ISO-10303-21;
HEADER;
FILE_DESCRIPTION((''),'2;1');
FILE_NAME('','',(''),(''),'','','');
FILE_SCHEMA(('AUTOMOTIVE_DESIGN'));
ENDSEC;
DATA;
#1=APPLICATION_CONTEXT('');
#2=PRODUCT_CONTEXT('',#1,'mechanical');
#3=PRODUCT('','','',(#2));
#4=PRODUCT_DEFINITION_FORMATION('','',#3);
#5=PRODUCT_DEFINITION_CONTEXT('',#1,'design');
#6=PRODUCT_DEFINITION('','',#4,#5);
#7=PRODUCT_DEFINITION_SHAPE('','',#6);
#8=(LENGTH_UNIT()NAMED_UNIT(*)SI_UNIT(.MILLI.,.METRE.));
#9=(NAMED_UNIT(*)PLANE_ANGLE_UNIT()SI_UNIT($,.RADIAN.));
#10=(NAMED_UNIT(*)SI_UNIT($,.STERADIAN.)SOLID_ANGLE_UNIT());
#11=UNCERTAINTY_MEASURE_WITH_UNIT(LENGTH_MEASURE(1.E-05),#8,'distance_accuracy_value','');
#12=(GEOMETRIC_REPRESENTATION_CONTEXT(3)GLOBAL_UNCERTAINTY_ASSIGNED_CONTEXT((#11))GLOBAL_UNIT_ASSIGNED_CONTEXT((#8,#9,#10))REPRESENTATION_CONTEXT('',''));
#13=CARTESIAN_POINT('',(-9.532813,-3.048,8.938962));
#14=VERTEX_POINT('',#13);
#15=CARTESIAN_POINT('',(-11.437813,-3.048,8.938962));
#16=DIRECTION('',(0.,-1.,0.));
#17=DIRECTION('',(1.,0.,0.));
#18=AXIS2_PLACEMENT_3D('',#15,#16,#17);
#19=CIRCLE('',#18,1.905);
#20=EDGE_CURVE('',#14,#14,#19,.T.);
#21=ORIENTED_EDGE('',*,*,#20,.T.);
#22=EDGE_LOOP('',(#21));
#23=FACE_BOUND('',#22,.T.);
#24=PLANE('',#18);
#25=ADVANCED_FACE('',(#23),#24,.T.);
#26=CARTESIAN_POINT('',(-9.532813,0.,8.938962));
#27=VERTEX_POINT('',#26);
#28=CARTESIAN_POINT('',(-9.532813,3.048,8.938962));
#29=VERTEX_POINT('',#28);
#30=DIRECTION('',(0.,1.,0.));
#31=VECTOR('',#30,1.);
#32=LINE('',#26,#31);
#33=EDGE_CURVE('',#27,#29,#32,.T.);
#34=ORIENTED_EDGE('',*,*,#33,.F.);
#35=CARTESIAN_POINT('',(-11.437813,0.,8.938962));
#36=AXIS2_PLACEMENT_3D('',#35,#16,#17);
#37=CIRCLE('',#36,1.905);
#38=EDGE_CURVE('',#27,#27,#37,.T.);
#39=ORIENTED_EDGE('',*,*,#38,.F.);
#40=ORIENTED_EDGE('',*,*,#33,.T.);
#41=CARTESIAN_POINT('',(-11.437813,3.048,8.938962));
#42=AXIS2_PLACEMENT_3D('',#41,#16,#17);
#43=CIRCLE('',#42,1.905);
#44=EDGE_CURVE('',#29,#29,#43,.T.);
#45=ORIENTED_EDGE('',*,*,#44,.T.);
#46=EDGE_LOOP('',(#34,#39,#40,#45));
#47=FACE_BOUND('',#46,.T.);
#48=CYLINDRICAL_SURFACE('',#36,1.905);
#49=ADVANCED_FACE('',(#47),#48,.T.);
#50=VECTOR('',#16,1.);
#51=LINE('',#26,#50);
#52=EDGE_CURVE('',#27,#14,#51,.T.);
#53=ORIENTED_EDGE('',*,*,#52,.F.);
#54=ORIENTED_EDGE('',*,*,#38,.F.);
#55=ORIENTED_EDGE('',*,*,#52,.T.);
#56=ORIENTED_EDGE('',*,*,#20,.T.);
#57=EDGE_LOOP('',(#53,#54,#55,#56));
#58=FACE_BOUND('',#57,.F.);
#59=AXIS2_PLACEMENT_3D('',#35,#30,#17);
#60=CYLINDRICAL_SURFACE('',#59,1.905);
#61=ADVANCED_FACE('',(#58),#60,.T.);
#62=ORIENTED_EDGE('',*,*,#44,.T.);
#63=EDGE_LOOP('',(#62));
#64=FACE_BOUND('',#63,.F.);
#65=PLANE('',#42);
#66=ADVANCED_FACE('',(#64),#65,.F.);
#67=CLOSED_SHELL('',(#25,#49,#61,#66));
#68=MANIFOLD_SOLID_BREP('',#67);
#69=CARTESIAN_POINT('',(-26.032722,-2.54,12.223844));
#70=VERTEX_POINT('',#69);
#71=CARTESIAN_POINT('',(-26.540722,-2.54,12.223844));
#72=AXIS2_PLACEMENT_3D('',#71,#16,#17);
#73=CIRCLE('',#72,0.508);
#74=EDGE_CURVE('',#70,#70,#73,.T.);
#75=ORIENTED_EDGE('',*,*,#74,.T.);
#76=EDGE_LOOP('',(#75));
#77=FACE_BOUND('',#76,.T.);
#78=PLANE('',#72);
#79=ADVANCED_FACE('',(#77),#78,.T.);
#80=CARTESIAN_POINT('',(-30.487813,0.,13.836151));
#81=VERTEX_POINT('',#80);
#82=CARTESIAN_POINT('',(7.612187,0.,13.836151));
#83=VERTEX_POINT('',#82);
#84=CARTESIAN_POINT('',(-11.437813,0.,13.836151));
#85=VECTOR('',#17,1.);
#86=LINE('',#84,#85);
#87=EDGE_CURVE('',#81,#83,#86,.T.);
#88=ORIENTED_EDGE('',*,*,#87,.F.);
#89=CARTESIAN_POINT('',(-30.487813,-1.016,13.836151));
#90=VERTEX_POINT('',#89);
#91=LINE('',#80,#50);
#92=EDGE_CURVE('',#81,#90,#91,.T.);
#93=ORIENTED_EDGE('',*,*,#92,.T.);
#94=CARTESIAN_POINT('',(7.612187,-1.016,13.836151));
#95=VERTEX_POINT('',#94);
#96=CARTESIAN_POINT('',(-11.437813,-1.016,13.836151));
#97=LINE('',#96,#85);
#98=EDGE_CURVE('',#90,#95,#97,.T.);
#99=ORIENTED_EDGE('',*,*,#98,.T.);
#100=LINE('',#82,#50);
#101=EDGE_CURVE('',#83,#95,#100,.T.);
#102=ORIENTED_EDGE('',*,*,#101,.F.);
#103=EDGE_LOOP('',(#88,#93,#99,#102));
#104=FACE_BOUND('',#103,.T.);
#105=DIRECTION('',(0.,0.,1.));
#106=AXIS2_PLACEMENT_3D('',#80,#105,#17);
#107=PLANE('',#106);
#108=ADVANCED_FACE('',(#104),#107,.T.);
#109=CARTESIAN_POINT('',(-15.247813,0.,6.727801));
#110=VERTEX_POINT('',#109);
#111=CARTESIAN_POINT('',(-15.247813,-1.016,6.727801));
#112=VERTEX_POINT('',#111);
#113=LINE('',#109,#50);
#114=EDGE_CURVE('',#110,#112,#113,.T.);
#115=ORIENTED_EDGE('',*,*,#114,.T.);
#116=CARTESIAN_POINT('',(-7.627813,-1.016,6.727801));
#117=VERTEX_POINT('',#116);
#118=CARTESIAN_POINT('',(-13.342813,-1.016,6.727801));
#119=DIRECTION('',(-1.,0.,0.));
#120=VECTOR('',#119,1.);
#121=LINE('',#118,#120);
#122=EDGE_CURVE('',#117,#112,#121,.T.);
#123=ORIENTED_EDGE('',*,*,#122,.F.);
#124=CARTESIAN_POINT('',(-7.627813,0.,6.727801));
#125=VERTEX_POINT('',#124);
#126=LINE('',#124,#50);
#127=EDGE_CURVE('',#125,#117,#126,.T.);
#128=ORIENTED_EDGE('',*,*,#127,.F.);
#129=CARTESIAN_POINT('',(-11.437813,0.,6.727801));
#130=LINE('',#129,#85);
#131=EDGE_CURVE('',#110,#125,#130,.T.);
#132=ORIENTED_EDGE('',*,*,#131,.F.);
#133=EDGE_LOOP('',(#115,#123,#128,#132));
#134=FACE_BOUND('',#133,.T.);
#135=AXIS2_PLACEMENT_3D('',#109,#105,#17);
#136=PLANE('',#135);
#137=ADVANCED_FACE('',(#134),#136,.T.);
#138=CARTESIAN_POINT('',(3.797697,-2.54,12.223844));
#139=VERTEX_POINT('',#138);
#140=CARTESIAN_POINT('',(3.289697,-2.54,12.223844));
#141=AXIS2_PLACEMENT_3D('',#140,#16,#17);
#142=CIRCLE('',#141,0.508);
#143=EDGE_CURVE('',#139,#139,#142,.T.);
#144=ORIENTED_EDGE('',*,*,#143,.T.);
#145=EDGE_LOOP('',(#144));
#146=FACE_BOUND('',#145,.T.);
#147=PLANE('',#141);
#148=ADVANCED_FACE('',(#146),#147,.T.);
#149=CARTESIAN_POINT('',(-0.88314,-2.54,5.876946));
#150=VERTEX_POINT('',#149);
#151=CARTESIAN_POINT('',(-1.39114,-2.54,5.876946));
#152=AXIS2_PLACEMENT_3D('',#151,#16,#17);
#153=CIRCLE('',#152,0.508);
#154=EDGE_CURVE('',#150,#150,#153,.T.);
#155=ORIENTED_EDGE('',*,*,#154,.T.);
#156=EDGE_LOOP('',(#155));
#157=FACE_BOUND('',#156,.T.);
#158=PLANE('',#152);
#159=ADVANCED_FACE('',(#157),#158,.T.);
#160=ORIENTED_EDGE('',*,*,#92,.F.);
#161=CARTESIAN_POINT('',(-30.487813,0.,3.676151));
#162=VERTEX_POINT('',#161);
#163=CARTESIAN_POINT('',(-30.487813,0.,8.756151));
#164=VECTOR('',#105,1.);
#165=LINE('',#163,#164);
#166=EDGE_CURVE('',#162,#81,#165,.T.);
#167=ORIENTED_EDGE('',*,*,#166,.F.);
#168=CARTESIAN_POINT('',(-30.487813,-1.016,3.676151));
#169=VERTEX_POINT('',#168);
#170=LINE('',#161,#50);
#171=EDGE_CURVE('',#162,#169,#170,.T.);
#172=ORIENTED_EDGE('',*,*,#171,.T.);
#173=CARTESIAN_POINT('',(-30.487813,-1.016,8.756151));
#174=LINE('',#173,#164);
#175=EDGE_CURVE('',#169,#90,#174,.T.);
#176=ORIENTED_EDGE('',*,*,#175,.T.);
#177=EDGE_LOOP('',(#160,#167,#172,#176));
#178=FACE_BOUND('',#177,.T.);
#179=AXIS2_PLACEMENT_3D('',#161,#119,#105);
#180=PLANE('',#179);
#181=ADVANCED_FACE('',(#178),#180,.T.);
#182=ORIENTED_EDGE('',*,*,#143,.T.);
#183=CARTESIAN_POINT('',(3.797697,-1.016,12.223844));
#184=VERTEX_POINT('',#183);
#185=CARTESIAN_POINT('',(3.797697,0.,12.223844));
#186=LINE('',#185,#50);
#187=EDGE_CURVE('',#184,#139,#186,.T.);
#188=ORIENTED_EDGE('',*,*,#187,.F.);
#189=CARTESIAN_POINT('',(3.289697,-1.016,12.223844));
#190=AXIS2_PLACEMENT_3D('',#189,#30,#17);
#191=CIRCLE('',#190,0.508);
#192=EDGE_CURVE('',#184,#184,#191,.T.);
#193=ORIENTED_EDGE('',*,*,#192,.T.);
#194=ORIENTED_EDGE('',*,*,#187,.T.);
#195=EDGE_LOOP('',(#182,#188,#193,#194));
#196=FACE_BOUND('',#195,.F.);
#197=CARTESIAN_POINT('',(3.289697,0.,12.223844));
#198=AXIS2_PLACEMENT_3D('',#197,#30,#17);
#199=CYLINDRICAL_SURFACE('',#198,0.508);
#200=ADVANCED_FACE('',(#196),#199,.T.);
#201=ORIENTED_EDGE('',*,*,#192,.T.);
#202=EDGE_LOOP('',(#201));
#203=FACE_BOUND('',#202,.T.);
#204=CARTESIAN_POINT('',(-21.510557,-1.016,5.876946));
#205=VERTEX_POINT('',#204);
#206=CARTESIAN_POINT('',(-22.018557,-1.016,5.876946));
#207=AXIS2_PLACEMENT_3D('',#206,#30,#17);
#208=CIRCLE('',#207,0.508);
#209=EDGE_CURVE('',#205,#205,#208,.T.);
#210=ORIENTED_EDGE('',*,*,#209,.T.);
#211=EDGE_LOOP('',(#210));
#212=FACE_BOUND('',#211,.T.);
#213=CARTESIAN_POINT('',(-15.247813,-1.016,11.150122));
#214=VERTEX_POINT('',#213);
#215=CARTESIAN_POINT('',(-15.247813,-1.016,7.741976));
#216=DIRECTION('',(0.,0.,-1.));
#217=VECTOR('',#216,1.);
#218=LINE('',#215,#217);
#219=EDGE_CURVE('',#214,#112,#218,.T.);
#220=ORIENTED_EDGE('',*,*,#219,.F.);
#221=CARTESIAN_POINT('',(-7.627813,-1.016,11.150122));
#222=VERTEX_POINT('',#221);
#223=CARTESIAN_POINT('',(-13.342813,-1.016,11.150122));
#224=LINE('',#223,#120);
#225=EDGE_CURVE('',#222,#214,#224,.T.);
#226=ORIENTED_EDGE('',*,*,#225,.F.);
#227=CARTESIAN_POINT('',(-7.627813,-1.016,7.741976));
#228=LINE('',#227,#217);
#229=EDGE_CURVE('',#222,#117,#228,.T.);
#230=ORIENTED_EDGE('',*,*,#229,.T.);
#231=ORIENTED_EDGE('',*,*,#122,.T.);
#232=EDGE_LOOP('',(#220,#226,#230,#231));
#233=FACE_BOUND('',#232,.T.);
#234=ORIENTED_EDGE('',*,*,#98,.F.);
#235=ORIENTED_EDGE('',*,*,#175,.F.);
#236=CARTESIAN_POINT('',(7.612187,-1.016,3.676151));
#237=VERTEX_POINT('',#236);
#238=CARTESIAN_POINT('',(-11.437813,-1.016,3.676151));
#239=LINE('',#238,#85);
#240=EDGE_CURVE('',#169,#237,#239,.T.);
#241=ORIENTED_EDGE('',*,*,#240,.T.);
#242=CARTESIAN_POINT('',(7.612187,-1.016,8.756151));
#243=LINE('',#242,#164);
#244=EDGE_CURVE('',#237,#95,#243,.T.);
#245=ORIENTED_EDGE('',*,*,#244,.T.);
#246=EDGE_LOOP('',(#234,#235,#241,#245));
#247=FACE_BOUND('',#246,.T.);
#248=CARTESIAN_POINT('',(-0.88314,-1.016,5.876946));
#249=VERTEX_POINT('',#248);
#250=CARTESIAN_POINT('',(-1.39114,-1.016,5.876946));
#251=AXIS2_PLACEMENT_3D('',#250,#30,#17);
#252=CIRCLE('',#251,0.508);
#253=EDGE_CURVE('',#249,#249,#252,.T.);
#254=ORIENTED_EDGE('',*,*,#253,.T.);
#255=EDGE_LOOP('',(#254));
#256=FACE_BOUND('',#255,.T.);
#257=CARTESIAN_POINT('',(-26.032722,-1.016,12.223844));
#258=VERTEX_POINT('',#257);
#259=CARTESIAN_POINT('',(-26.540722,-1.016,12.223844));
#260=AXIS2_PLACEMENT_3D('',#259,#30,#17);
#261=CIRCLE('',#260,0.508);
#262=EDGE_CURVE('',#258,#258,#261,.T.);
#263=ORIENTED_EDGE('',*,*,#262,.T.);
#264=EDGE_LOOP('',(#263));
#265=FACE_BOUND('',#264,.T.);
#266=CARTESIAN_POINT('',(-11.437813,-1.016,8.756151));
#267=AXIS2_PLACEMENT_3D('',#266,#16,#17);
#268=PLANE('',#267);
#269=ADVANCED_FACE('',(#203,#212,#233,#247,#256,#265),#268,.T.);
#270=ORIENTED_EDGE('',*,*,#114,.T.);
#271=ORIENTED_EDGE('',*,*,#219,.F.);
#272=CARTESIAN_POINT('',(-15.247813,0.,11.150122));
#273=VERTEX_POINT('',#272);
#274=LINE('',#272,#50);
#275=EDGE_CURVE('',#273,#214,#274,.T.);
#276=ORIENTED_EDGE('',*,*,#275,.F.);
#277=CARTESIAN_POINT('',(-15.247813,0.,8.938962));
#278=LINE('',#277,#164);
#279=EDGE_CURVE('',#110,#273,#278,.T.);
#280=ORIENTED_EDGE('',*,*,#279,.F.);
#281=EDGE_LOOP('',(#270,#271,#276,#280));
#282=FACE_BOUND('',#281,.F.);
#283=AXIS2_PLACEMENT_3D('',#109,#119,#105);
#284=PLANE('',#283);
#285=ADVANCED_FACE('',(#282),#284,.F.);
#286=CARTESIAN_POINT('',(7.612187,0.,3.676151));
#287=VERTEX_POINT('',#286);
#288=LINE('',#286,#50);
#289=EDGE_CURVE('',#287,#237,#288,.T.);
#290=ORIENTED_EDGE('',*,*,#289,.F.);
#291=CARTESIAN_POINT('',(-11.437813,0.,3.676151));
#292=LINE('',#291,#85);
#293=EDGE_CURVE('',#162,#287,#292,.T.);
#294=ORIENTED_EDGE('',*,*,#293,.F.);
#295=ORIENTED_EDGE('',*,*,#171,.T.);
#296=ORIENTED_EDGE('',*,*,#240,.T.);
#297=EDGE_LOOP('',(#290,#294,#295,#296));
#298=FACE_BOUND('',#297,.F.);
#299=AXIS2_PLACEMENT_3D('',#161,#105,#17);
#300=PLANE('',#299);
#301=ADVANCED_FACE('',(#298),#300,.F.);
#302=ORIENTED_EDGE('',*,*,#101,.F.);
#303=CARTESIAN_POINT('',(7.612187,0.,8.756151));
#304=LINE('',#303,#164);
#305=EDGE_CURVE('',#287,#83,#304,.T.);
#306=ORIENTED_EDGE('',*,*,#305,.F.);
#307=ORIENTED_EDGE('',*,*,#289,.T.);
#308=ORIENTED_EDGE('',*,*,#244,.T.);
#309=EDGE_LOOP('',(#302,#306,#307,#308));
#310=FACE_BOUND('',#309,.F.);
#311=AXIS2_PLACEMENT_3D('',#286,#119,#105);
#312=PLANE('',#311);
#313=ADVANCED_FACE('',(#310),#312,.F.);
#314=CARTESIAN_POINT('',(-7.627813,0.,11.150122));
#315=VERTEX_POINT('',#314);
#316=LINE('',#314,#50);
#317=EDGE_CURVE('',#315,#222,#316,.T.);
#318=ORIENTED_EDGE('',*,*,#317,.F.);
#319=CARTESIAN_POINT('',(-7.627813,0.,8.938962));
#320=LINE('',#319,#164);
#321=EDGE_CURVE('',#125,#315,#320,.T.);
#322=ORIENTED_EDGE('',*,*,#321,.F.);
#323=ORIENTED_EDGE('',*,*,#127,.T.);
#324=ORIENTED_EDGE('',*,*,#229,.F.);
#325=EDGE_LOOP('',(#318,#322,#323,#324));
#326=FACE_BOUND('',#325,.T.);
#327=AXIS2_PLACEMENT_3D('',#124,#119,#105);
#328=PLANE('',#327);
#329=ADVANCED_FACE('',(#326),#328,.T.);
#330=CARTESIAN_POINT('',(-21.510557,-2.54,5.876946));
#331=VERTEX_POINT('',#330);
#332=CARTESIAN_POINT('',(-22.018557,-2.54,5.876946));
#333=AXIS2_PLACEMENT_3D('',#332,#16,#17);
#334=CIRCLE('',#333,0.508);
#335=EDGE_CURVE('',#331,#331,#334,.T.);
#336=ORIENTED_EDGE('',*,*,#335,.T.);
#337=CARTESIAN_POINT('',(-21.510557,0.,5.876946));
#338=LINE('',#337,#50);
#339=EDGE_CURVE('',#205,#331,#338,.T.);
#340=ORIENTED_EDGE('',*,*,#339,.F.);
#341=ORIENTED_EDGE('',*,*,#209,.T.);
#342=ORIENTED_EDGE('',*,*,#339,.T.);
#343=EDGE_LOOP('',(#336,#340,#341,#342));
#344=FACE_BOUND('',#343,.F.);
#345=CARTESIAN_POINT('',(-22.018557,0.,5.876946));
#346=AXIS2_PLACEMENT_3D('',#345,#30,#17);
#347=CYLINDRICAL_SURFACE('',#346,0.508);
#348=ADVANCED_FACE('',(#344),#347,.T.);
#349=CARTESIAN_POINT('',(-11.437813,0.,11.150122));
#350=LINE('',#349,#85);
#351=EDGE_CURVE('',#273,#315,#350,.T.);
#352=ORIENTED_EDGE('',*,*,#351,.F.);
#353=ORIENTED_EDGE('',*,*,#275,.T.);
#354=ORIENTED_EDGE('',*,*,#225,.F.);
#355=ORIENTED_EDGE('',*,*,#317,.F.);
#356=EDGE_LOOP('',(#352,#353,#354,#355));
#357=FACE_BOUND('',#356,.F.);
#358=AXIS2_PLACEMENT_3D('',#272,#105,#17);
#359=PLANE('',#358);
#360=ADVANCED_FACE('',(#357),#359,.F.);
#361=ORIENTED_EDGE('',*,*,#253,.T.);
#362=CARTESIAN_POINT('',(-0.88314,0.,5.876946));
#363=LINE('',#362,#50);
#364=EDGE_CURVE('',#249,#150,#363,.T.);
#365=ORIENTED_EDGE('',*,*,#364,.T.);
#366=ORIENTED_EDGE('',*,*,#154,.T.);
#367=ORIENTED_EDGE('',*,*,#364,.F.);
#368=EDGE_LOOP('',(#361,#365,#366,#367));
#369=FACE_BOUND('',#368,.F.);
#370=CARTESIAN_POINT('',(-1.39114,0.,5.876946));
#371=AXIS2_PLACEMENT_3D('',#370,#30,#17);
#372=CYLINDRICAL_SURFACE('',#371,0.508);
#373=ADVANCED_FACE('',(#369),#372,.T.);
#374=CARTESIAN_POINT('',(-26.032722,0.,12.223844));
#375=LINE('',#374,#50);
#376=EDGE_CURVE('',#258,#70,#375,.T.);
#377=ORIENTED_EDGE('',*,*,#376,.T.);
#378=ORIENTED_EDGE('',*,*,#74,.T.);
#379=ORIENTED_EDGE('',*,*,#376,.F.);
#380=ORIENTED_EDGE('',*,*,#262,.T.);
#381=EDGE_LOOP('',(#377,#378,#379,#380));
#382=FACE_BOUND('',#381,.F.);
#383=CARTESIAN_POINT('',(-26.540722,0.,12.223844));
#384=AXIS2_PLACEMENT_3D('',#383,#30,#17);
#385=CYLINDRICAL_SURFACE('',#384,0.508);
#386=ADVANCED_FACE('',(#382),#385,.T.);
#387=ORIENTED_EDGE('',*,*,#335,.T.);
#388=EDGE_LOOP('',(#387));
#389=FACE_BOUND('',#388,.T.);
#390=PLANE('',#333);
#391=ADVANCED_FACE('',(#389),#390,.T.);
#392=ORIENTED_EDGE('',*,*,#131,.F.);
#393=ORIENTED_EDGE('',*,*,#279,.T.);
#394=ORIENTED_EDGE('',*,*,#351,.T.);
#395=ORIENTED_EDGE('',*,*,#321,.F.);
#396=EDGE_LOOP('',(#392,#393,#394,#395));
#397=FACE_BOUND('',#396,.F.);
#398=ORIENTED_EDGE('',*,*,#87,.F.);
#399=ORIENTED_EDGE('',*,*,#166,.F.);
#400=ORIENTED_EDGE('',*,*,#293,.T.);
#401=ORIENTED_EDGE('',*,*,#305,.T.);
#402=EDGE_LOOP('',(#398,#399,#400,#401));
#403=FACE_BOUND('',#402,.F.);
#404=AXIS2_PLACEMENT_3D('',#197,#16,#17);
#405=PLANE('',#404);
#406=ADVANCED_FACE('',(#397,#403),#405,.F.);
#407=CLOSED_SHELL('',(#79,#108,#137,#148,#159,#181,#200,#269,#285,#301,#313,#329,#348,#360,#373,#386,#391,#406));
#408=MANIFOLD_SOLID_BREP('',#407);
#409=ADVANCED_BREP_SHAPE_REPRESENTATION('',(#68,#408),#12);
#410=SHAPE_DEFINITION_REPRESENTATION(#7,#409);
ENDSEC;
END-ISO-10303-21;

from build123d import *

# Parameters (mm, degrees)
F0_W          = 38.1
F0_H          = 10.16
F1_DEPTH      = 1.016
F2_R          = 0.508
F3_DEPTH      = 2.54
F4_W          = 7.62
F4_H          = 4.4223206656
F5_DEPTH      = 2.54
F6_R          = 1.905
F7_DEPTH      = 3.048
F7_DEPTH_BACK = 3.048


with BuildPart() as f1:
    # F0 (on Front) → F1 (new body)
    with BuildSketch(Plane.XZ):
        with Locations((-11.4378130529, 8.7561514427)):
            Rectangle(F0_W, F0_H)
    extrude(amount=F1_DEPTH)

    # F2 (on Front) → F3 (join)
    with BuildSketch(Plane.XZ):
        with Locations((3.2896965753, 12.2238437514)):
            Circle(F2_R)
        with Locations((-1.3911404423, 5.8769460577)):
            Circle(F2_R)
        with Locations((-26.5407218297, 12.2238437514)):
            Circle(F2_R)
        with Locations((-22.0185570657, 5.8769460577)):
            Circle(F2_R)
    extrude(amount=F3_DEPTH)

    # F4 (on Front) → F5 (cut)
    with BuildSketch(Plane.XZ):
        with Locations((-11.4378130529, 8.9389616624)):
            Rectangle(F4_W, F4_H)
    extrude(amount=F5_DEPTH, mode=Mode.SUBTRACT)


with BuildPart() as f7:
    # F6 (on Front) → F7 (new body, two sides)
    with BuildSketch(Plane.XZ) as f7_sk:
        with Locations((-11.4378130529, 8.9389616624)):
            Circle(F6_R)
    extrude(amount=-F7_DEPTH)
    extrude(f7_sk.sketch, amount=F7_DEPTH_BACK)


solid = Compound([f1.part, f7.part])
